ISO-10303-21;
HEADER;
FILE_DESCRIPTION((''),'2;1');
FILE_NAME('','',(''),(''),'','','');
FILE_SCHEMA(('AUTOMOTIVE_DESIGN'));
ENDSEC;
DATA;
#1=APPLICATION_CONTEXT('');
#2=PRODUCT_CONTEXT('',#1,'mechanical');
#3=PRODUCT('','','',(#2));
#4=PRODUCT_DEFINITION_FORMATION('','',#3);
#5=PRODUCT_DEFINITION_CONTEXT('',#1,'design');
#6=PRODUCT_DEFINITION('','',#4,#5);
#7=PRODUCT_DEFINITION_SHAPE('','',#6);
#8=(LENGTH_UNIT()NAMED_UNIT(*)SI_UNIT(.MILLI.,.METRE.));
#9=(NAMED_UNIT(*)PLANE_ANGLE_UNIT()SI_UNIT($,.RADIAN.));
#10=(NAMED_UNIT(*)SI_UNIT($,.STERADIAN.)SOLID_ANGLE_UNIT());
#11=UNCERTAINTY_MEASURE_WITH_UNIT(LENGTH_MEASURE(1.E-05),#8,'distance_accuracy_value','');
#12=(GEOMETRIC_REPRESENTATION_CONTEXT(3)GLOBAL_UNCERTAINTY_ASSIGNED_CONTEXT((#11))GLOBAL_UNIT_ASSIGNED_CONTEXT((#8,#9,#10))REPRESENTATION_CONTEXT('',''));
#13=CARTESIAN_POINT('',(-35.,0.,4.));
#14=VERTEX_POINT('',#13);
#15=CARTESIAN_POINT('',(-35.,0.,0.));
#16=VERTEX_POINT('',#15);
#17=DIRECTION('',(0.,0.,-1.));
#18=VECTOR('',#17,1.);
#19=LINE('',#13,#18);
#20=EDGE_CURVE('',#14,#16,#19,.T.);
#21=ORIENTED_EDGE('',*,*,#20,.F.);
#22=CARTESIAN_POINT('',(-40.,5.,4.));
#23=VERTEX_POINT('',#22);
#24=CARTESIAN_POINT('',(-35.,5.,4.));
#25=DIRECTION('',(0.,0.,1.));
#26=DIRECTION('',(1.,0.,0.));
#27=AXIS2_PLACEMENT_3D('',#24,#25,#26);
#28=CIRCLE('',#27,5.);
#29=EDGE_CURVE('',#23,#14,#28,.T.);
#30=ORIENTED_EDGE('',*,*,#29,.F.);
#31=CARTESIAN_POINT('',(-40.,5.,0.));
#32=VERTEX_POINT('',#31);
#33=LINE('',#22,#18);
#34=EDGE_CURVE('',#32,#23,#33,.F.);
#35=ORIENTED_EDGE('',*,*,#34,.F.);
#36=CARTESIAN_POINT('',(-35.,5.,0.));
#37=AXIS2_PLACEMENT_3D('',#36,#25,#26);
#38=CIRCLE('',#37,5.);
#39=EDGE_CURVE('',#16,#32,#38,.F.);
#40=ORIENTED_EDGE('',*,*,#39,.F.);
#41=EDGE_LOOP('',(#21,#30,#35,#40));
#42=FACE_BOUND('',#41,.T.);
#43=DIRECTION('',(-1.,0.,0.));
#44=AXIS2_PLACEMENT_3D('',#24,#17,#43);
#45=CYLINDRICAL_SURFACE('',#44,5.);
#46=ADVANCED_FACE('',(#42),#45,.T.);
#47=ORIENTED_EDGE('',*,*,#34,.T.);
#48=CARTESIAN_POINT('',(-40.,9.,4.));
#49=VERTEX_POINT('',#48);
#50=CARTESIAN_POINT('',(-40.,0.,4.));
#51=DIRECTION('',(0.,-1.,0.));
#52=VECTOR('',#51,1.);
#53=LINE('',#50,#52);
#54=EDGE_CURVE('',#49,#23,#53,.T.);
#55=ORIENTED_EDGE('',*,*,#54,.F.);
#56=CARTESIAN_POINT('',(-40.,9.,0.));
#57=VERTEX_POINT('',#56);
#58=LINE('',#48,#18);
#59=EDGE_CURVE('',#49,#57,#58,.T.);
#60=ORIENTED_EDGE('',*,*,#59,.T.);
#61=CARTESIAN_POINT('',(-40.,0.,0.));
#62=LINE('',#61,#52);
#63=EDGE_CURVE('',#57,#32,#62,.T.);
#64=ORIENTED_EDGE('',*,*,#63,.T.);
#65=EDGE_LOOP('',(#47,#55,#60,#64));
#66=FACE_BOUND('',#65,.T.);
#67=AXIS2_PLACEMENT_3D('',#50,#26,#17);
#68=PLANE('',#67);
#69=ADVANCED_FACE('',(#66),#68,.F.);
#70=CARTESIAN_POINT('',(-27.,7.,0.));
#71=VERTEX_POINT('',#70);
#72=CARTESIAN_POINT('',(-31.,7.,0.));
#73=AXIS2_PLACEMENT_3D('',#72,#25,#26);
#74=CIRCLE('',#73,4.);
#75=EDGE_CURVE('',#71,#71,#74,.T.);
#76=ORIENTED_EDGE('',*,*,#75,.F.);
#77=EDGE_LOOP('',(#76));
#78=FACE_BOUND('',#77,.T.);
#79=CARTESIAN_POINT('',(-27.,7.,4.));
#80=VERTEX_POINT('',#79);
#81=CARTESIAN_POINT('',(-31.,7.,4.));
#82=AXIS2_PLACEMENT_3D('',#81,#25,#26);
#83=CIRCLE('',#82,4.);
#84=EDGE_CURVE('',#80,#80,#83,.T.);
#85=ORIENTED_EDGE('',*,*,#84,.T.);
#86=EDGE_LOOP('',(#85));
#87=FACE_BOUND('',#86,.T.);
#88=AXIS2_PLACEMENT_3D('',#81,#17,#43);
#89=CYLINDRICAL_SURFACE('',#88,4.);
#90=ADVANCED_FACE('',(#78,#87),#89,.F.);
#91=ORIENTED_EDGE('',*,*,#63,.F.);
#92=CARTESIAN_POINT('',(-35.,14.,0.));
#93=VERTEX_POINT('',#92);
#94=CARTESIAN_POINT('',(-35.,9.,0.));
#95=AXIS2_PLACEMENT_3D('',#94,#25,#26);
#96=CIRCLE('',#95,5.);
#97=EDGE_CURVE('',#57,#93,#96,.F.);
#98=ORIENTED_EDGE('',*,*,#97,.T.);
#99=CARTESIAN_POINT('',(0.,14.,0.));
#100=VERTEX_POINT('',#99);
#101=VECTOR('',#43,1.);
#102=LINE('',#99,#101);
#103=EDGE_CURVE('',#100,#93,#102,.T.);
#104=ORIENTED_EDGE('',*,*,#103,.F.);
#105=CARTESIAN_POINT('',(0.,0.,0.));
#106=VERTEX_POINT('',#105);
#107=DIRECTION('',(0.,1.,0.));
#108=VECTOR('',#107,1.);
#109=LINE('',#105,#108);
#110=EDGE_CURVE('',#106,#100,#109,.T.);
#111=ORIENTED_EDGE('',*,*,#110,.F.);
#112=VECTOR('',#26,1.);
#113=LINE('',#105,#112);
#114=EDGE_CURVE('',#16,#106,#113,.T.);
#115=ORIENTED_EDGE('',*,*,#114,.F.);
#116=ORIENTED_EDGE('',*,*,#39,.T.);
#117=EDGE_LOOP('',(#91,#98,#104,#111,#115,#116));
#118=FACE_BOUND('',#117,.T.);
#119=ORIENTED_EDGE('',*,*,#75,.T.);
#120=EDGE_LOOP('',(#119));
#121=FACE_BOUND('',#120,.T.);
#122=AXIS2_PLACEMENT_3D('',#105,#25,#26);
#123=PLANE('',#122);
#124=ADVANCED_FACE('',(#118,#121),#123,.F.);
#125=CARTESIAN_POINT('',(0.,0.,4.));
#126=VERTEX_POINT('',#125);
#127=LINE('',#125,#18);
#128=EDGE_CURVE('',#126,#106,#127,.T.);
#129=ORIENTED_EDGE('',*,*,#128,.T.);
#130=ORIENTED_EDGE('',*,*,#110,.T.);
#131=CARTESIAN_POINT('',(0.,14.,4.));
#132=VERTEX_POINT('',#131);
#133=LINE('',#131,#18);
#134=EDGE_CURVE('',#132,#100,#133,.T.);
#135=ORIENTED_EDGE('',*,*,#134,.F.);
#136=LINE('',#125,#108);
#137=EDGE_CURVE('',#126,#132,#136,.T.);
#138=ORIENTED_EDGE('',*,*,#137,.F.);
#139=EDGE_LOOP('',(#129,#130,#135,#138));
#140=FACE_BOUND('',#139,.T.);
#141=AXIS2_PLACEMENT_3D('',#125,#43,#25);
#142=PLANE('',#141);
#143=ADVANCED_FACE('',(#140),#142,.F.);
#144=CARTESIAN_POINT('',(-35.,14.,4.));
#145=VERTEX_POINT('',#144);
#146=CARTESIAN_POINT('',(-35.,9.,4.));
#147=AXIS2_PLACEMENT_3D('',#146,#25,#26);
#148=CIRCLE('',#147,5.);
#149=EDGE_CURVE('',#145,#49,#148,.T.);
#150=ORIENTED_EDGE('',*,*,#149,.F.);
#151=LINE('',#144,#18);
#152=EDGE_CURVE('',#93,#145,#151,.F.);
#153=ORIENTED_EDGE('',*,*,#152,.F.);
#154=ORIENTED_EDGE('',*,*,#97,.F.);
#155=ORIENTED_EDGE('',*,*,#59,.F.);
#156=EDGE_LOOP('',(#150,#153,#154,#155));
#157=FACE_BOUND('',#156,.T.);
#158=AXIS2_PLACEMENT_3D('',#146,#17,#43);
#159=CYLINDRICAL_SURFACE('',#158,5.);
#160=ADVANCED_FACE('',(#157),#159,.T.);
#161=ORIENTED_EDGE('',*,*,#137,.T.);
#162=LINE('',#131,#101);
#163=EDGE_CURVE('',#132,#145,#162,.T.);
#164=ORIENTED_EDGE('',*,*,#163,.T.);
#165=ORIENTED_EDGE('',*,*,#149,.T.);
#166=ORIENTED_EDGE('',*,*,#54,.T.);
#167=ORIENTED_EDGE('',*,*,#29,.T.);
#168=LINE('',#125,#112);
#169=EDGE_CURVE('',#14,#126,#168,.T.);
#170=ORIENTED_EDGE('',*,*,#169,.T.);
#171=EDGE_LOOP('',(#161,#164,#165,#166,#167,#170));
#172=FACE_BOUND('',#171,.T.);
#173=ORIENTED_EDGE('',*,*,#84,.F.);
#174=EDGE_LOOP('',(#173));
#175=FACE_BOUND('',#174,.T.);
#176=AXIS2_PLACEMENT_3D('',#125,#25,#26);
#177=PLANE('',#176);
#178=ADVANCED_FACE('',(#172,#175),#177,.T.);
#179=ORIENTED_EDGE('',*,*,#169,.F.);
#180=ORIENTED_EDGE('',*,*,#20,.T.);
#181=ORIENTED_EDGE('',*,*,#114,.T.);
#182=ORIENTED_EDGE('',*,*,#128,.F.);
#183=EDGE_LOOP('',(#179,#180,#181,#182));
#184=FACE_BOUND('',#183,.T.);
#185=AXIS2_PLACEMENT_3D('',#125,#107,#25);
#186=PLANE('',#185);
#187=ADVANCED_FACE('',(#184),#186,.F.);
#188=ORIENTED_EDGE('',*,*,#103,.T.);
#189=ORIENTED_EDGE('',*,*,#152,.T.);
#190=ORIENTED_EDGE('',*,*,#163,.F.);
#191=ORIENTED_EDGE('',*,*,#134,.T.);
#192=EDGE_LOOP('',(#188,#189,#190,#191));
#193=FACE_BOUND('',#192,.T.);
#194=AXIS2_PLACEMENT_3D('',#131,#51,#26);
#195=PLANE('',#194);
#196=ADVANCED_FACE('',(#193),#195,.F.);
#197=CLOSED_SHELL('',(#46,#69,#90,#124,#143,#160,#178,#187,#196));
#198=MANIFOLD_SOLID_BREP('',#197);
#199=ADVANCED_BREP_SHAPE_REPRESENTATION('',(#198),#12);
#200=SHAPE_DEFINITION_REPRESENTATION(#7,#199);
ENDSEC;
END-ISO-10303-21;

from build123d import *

# Parameters (mm, degrees)
SKETCH1_W           = 40
SKETCH1_H           = 14
SKETCH1_R           = 4
BOSS_EXTRUDE1_DEPTH = 4
FILLET1_R           = 5


with BuildPart() as part:
    # Sketch1 → Boss-Extrude1 (new body)
    with BuildSketch(Plane.XY):
        with Locations((-20, 7)):
            Rectangle(SKETCH1_W, SKETCH1_H)
        with Locations((-31, 7)):
            Circle(SKETCH1_R, mode=Mode.SUBTRACT)
    extrude(amount=BOSS_EXTRUDE1_DEPTH)

    # Fillet1
    fillet1_edges = [part.edges().sort_by_distance(p)[0] for p in [
        (-40, 0, 2),
        (-40, 14, 2),
    ]]
    fillet(fillet1_edges, radius=FILLET1_R)


solid = part.part
